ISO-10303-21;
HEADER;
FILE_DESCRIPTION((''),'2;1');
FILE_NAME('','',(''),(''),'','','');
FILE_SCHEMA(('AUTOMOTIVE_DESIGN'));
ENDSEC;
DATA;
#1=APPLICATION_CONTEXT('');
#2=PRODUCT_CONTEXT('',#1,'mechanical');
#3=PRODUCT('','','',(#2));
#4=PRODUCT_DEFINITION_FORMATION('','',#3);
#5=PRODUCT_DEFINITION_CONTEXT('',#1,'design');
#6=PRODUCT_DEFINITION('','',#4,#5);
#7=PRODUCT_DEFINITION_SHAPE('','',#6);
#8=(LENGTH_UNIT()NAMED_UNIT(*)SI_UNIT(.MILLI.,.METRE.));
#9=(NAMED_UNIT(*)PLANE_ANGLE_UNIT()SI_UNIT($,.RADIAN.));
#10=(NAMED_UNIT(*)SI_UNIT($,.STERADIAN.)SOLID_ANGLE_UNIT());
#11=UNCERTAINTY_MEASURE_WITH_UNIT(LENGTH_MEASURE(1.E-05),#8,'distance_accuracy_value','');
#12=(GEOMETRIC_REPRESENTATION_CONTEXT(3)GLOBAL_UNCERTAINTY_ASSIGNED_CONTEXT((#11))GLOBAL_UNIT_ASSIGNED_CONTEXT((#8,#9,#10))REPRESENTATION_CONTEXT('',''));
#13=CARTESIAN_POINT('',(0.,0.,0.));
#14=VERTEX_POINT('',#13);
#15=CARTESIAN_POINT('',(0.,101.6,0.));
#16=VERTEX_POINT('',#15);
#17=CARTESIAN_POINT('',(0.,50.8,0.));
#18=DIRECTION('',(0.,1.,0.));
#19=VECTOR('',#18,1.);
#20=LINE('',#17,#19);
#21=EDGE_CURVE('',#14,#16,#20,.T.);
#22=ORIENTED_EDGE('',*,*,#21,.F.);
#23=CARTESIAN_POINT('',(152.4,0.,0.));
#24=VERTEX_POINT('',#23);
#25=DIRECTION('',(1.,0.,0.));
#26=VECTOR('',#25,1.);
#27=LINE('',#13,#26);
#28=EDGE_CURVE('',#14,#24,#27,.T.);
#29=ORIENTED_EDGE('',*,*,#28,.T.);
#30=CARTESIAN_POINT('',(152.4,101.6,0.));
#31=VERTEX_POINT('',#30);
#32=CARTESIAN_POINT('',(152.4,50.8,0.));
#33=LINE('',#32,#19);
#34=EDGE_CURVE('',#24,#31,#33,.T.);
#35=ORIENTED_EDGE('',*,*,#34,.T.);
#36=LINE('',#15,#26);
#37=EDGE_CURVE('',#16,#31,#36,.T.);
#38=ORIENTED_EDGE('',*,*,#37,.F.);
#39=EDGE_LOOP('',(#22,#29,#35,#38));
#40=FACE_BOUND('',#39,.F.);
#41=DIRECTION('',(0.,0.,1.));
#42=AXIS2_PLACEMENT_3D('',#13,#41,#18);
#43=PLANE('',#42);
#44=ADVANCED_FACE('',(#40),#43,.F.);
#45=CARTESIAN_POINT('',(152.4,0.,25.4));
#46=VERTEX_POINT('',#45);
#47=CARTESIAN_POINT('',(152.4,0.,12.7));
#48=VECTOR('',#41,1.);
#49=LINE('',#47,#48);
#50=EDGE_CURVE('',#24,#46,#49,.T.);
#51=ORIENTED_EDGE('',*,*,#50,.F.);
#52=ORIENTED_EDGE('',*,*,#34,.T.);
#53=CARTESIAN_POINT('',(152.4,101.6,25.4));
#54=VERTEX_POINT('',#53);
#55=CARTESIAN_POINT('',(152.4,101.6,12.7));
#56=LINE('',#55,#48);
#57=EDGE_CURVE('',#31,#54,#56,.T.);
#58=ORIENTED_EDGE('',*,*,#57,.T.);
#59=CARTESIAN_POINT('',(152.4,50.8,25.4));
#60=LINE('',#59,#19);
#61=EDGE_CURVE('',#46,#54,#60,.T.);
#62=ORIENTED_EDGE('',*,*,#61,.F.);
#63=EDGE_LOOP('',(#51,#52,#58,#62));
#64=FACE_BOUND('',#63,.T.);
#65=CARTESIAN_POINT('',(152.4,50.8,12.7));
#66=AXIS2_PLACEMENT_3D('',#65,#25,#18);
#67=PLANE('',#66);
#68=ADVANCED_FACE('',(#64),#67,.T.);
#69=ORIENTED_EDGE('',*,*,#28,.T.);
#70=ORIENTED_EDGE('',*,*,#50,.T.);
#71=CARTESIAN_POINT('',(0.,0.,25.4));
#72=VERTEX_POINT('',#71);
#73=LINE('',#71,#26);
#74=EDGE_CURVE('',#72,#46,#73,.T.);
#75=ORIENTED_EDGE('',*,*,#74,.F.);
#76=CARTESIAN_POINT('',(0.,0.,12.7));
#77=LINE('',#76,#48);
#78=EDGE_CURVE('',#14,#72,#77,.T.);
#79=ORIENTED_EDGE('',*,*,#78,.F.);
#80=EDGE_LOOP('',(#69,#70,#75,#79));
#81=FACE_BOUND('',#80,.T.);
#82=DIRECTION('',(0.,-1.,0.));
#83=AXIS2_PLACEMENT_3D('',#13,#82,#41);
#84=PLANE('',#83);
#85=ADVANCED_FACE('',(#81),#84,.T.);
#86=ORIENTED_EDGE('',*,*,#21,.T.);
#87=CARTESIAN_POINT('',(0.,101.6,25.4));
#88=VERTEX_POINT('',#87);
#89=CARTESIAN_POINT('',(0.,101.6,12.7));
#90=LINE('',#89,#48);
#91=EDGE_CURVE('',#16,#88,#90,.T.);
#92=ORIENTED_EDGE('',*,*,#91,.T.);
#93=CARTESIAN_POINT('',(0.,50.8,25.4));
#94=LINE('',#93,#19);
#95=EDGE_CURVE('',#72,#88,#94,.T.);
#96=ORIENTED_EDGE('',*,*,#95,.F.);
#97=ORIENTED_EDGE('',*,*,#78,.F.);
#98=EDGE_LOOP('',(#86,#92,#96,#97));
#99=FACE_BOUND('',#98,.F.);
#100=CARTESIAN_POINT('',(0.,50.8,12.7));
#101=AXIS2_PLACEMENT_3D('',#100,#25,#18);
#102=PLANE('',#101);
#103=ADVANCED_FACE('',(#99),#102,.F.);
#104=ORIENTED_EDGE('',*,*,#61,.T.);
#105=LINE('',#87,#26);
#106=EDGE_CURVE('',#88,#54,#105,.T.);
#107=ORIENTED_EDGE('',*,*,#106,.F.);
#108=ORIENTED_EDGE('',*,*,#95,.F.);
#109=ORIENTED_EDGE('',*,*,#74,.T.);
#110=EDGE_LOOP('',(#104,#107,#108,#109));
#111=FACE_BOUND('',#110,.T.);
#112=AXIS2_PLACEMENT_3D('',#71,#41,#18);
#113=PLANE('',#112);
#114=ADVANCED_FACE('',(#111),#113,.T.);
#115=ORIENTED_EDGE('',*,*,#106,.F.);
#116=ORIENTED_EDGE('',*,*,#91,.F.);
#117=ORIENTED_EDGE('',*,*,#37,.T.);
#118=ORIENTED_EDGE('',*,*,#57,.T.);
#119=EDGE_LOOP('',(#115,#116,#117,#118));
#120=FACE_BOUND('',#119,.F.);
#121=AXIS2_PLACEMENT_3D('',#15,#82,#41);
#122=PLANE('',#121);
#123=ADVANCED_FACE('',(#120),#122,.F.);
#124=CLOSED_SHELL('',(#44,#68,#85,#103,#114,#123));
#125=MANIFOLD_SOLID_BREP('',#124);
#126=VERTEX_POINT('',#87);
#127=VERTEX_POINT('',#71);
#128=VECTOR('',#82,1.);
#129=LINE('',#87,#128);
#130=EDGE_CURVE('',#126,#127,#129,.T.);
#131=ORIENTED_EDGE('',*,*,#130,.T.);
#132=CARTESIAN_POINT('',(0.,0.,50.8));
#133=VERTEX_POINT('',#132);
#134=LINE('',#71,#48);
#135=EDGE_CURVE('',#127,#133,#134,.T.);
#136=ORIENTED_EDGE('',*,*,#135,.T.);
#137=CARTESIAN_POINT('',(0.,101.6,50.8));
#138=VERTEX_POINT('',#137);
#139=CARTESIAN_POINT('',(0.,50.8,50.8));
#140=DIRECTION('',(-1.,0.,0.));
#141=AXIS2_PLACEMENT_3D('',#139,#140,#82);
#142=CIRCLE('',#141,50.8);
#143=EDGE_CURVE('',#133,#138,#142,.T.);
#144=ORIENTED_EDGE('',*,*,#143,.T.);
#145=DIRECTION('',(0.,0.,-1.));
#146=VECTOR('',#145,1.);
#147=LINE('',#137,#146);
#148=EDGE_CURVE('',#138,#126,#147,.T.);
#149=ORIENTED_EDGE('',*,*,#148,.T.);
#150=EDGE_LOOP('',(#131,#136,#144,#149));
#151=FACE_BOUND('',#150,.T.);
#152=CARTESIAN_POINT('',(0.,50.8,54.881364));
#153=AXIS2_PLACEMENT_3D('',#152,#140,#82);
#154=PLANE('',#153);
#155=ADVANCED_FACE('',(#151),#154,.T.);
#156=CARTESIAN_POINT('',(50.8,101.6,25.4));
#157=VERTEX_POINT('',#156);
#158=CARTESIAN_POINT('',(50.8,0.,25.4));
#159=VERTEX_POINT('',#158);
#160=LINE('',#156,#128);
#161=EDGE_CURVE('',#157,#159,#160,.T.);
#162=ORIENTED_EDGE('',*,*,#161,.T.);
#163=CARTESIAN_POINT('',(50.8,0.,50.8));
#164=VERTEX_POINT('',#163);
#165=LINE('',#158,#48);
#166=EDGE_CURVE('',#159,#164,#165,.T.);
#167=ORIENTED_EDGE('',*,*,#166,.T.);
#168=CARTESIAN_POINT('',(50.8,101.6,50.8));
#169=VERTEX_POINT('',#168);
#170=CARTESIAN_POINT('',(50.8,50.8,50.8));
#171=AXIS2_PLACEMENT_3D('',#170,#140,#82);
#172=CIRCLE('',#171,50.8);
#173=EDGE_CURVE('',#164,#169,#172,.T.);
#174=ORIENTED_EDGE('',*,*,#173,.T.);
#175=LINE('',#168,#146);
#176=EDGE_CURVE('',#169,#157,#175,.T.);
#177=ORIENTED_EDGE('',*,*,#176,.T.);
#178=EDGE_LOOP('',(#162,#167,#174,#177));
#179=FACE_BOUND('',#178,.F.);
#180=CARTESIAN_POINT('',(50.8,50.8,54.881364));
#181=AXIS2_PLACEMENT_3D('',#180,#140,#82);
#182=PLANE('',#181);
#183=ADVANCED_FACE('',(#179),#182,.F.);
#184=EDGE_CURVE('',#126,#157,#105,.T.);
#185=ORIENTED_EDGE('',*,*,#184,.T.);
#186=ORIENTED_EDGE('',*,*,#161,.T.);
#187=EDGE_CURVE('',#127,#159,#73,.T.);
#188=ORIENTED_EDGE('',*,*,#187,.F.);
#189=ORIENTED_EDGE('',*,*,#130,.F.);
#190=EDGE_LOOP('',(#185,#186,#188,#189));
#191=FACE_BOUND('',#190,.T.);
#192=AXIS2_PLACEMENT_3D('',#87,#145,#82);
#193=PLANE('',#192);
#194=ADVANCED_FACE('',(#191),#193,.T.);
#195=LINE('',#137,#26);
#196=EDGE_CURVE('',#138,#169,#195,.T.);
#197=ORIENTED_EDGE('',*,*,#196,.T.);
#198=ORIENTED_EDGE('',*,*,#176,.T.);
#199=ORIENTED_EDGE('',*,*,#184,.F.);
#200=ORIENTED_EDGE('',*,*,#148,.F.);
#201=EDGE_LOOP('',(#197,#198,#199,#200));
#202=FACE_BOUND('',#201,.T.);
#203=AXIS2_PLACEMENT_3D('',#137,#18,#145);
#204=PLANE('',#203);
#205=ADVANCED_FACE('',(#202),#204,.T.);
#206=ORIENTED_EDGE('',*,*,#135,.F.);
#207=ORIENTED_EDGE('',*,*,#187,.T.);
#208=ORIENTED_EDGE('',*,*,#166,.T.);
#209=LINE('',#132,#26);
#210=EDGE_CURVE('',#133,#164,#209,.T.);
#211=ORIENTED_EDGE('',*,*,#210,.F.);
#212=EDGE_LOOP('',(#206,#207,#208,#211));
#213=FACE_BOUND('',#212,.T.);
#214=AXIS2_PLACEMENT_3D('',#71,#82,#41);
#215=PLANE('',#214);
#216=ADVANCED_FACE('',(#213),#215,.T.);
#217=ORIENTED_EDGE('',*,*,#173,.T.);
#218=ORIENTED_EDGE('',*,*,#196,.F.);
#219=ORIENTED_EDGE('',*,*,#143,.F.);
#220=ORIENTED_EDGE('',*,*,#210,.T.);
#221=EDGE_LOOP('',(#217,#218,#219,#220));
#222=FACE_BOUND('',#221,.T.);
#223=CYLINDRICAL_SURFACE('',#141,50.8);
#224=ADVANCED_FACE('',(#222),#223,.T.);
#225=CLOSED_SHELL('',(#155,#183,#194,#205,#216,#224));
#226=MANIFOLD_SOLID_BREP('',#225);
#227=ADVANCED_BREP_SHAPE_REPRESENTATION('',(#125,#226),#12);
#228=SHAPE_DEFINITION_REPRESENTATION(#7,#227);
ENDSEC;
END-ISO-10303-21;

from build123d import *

# Parameters (mm, degrees)
F0_W     = 101.6
F0_H     = 25.4
F1_DEPTH = 152.4
F3_DEPTH = 50.8


with BuildPart() as f1:
    # F0 (on Right) → F1 (new body)
    with BuildSketch(Plane.YZ):
        with Locations((50.8, 12.7)):
            Rectangle(F0_W, F0_H)
    extrude(amount=F1_DEPTH)


with BuildPart() as f3:
    # F2 (on face) → F3 (new body)
    with BuildSketch(Plane(origin=(0, 0, 0), x_dir=(0, -1, 0), z_dir=(-1, 0, 0))):
        with BuildLine():
            Line((0, 25.4), (0, 50.8))
            ThreePointArc((0, 50.8), (-50.8, 101.6), (-101.6, 50.8))
            Line((-101.6, 50.8), (-101.6, 25.4))
            Line((-101.6, 25.4), (0, 25.4))
        make_face()
    extrude(amount=-F3_DEPTH)


solid = Compound([f1.part, f3.part])
